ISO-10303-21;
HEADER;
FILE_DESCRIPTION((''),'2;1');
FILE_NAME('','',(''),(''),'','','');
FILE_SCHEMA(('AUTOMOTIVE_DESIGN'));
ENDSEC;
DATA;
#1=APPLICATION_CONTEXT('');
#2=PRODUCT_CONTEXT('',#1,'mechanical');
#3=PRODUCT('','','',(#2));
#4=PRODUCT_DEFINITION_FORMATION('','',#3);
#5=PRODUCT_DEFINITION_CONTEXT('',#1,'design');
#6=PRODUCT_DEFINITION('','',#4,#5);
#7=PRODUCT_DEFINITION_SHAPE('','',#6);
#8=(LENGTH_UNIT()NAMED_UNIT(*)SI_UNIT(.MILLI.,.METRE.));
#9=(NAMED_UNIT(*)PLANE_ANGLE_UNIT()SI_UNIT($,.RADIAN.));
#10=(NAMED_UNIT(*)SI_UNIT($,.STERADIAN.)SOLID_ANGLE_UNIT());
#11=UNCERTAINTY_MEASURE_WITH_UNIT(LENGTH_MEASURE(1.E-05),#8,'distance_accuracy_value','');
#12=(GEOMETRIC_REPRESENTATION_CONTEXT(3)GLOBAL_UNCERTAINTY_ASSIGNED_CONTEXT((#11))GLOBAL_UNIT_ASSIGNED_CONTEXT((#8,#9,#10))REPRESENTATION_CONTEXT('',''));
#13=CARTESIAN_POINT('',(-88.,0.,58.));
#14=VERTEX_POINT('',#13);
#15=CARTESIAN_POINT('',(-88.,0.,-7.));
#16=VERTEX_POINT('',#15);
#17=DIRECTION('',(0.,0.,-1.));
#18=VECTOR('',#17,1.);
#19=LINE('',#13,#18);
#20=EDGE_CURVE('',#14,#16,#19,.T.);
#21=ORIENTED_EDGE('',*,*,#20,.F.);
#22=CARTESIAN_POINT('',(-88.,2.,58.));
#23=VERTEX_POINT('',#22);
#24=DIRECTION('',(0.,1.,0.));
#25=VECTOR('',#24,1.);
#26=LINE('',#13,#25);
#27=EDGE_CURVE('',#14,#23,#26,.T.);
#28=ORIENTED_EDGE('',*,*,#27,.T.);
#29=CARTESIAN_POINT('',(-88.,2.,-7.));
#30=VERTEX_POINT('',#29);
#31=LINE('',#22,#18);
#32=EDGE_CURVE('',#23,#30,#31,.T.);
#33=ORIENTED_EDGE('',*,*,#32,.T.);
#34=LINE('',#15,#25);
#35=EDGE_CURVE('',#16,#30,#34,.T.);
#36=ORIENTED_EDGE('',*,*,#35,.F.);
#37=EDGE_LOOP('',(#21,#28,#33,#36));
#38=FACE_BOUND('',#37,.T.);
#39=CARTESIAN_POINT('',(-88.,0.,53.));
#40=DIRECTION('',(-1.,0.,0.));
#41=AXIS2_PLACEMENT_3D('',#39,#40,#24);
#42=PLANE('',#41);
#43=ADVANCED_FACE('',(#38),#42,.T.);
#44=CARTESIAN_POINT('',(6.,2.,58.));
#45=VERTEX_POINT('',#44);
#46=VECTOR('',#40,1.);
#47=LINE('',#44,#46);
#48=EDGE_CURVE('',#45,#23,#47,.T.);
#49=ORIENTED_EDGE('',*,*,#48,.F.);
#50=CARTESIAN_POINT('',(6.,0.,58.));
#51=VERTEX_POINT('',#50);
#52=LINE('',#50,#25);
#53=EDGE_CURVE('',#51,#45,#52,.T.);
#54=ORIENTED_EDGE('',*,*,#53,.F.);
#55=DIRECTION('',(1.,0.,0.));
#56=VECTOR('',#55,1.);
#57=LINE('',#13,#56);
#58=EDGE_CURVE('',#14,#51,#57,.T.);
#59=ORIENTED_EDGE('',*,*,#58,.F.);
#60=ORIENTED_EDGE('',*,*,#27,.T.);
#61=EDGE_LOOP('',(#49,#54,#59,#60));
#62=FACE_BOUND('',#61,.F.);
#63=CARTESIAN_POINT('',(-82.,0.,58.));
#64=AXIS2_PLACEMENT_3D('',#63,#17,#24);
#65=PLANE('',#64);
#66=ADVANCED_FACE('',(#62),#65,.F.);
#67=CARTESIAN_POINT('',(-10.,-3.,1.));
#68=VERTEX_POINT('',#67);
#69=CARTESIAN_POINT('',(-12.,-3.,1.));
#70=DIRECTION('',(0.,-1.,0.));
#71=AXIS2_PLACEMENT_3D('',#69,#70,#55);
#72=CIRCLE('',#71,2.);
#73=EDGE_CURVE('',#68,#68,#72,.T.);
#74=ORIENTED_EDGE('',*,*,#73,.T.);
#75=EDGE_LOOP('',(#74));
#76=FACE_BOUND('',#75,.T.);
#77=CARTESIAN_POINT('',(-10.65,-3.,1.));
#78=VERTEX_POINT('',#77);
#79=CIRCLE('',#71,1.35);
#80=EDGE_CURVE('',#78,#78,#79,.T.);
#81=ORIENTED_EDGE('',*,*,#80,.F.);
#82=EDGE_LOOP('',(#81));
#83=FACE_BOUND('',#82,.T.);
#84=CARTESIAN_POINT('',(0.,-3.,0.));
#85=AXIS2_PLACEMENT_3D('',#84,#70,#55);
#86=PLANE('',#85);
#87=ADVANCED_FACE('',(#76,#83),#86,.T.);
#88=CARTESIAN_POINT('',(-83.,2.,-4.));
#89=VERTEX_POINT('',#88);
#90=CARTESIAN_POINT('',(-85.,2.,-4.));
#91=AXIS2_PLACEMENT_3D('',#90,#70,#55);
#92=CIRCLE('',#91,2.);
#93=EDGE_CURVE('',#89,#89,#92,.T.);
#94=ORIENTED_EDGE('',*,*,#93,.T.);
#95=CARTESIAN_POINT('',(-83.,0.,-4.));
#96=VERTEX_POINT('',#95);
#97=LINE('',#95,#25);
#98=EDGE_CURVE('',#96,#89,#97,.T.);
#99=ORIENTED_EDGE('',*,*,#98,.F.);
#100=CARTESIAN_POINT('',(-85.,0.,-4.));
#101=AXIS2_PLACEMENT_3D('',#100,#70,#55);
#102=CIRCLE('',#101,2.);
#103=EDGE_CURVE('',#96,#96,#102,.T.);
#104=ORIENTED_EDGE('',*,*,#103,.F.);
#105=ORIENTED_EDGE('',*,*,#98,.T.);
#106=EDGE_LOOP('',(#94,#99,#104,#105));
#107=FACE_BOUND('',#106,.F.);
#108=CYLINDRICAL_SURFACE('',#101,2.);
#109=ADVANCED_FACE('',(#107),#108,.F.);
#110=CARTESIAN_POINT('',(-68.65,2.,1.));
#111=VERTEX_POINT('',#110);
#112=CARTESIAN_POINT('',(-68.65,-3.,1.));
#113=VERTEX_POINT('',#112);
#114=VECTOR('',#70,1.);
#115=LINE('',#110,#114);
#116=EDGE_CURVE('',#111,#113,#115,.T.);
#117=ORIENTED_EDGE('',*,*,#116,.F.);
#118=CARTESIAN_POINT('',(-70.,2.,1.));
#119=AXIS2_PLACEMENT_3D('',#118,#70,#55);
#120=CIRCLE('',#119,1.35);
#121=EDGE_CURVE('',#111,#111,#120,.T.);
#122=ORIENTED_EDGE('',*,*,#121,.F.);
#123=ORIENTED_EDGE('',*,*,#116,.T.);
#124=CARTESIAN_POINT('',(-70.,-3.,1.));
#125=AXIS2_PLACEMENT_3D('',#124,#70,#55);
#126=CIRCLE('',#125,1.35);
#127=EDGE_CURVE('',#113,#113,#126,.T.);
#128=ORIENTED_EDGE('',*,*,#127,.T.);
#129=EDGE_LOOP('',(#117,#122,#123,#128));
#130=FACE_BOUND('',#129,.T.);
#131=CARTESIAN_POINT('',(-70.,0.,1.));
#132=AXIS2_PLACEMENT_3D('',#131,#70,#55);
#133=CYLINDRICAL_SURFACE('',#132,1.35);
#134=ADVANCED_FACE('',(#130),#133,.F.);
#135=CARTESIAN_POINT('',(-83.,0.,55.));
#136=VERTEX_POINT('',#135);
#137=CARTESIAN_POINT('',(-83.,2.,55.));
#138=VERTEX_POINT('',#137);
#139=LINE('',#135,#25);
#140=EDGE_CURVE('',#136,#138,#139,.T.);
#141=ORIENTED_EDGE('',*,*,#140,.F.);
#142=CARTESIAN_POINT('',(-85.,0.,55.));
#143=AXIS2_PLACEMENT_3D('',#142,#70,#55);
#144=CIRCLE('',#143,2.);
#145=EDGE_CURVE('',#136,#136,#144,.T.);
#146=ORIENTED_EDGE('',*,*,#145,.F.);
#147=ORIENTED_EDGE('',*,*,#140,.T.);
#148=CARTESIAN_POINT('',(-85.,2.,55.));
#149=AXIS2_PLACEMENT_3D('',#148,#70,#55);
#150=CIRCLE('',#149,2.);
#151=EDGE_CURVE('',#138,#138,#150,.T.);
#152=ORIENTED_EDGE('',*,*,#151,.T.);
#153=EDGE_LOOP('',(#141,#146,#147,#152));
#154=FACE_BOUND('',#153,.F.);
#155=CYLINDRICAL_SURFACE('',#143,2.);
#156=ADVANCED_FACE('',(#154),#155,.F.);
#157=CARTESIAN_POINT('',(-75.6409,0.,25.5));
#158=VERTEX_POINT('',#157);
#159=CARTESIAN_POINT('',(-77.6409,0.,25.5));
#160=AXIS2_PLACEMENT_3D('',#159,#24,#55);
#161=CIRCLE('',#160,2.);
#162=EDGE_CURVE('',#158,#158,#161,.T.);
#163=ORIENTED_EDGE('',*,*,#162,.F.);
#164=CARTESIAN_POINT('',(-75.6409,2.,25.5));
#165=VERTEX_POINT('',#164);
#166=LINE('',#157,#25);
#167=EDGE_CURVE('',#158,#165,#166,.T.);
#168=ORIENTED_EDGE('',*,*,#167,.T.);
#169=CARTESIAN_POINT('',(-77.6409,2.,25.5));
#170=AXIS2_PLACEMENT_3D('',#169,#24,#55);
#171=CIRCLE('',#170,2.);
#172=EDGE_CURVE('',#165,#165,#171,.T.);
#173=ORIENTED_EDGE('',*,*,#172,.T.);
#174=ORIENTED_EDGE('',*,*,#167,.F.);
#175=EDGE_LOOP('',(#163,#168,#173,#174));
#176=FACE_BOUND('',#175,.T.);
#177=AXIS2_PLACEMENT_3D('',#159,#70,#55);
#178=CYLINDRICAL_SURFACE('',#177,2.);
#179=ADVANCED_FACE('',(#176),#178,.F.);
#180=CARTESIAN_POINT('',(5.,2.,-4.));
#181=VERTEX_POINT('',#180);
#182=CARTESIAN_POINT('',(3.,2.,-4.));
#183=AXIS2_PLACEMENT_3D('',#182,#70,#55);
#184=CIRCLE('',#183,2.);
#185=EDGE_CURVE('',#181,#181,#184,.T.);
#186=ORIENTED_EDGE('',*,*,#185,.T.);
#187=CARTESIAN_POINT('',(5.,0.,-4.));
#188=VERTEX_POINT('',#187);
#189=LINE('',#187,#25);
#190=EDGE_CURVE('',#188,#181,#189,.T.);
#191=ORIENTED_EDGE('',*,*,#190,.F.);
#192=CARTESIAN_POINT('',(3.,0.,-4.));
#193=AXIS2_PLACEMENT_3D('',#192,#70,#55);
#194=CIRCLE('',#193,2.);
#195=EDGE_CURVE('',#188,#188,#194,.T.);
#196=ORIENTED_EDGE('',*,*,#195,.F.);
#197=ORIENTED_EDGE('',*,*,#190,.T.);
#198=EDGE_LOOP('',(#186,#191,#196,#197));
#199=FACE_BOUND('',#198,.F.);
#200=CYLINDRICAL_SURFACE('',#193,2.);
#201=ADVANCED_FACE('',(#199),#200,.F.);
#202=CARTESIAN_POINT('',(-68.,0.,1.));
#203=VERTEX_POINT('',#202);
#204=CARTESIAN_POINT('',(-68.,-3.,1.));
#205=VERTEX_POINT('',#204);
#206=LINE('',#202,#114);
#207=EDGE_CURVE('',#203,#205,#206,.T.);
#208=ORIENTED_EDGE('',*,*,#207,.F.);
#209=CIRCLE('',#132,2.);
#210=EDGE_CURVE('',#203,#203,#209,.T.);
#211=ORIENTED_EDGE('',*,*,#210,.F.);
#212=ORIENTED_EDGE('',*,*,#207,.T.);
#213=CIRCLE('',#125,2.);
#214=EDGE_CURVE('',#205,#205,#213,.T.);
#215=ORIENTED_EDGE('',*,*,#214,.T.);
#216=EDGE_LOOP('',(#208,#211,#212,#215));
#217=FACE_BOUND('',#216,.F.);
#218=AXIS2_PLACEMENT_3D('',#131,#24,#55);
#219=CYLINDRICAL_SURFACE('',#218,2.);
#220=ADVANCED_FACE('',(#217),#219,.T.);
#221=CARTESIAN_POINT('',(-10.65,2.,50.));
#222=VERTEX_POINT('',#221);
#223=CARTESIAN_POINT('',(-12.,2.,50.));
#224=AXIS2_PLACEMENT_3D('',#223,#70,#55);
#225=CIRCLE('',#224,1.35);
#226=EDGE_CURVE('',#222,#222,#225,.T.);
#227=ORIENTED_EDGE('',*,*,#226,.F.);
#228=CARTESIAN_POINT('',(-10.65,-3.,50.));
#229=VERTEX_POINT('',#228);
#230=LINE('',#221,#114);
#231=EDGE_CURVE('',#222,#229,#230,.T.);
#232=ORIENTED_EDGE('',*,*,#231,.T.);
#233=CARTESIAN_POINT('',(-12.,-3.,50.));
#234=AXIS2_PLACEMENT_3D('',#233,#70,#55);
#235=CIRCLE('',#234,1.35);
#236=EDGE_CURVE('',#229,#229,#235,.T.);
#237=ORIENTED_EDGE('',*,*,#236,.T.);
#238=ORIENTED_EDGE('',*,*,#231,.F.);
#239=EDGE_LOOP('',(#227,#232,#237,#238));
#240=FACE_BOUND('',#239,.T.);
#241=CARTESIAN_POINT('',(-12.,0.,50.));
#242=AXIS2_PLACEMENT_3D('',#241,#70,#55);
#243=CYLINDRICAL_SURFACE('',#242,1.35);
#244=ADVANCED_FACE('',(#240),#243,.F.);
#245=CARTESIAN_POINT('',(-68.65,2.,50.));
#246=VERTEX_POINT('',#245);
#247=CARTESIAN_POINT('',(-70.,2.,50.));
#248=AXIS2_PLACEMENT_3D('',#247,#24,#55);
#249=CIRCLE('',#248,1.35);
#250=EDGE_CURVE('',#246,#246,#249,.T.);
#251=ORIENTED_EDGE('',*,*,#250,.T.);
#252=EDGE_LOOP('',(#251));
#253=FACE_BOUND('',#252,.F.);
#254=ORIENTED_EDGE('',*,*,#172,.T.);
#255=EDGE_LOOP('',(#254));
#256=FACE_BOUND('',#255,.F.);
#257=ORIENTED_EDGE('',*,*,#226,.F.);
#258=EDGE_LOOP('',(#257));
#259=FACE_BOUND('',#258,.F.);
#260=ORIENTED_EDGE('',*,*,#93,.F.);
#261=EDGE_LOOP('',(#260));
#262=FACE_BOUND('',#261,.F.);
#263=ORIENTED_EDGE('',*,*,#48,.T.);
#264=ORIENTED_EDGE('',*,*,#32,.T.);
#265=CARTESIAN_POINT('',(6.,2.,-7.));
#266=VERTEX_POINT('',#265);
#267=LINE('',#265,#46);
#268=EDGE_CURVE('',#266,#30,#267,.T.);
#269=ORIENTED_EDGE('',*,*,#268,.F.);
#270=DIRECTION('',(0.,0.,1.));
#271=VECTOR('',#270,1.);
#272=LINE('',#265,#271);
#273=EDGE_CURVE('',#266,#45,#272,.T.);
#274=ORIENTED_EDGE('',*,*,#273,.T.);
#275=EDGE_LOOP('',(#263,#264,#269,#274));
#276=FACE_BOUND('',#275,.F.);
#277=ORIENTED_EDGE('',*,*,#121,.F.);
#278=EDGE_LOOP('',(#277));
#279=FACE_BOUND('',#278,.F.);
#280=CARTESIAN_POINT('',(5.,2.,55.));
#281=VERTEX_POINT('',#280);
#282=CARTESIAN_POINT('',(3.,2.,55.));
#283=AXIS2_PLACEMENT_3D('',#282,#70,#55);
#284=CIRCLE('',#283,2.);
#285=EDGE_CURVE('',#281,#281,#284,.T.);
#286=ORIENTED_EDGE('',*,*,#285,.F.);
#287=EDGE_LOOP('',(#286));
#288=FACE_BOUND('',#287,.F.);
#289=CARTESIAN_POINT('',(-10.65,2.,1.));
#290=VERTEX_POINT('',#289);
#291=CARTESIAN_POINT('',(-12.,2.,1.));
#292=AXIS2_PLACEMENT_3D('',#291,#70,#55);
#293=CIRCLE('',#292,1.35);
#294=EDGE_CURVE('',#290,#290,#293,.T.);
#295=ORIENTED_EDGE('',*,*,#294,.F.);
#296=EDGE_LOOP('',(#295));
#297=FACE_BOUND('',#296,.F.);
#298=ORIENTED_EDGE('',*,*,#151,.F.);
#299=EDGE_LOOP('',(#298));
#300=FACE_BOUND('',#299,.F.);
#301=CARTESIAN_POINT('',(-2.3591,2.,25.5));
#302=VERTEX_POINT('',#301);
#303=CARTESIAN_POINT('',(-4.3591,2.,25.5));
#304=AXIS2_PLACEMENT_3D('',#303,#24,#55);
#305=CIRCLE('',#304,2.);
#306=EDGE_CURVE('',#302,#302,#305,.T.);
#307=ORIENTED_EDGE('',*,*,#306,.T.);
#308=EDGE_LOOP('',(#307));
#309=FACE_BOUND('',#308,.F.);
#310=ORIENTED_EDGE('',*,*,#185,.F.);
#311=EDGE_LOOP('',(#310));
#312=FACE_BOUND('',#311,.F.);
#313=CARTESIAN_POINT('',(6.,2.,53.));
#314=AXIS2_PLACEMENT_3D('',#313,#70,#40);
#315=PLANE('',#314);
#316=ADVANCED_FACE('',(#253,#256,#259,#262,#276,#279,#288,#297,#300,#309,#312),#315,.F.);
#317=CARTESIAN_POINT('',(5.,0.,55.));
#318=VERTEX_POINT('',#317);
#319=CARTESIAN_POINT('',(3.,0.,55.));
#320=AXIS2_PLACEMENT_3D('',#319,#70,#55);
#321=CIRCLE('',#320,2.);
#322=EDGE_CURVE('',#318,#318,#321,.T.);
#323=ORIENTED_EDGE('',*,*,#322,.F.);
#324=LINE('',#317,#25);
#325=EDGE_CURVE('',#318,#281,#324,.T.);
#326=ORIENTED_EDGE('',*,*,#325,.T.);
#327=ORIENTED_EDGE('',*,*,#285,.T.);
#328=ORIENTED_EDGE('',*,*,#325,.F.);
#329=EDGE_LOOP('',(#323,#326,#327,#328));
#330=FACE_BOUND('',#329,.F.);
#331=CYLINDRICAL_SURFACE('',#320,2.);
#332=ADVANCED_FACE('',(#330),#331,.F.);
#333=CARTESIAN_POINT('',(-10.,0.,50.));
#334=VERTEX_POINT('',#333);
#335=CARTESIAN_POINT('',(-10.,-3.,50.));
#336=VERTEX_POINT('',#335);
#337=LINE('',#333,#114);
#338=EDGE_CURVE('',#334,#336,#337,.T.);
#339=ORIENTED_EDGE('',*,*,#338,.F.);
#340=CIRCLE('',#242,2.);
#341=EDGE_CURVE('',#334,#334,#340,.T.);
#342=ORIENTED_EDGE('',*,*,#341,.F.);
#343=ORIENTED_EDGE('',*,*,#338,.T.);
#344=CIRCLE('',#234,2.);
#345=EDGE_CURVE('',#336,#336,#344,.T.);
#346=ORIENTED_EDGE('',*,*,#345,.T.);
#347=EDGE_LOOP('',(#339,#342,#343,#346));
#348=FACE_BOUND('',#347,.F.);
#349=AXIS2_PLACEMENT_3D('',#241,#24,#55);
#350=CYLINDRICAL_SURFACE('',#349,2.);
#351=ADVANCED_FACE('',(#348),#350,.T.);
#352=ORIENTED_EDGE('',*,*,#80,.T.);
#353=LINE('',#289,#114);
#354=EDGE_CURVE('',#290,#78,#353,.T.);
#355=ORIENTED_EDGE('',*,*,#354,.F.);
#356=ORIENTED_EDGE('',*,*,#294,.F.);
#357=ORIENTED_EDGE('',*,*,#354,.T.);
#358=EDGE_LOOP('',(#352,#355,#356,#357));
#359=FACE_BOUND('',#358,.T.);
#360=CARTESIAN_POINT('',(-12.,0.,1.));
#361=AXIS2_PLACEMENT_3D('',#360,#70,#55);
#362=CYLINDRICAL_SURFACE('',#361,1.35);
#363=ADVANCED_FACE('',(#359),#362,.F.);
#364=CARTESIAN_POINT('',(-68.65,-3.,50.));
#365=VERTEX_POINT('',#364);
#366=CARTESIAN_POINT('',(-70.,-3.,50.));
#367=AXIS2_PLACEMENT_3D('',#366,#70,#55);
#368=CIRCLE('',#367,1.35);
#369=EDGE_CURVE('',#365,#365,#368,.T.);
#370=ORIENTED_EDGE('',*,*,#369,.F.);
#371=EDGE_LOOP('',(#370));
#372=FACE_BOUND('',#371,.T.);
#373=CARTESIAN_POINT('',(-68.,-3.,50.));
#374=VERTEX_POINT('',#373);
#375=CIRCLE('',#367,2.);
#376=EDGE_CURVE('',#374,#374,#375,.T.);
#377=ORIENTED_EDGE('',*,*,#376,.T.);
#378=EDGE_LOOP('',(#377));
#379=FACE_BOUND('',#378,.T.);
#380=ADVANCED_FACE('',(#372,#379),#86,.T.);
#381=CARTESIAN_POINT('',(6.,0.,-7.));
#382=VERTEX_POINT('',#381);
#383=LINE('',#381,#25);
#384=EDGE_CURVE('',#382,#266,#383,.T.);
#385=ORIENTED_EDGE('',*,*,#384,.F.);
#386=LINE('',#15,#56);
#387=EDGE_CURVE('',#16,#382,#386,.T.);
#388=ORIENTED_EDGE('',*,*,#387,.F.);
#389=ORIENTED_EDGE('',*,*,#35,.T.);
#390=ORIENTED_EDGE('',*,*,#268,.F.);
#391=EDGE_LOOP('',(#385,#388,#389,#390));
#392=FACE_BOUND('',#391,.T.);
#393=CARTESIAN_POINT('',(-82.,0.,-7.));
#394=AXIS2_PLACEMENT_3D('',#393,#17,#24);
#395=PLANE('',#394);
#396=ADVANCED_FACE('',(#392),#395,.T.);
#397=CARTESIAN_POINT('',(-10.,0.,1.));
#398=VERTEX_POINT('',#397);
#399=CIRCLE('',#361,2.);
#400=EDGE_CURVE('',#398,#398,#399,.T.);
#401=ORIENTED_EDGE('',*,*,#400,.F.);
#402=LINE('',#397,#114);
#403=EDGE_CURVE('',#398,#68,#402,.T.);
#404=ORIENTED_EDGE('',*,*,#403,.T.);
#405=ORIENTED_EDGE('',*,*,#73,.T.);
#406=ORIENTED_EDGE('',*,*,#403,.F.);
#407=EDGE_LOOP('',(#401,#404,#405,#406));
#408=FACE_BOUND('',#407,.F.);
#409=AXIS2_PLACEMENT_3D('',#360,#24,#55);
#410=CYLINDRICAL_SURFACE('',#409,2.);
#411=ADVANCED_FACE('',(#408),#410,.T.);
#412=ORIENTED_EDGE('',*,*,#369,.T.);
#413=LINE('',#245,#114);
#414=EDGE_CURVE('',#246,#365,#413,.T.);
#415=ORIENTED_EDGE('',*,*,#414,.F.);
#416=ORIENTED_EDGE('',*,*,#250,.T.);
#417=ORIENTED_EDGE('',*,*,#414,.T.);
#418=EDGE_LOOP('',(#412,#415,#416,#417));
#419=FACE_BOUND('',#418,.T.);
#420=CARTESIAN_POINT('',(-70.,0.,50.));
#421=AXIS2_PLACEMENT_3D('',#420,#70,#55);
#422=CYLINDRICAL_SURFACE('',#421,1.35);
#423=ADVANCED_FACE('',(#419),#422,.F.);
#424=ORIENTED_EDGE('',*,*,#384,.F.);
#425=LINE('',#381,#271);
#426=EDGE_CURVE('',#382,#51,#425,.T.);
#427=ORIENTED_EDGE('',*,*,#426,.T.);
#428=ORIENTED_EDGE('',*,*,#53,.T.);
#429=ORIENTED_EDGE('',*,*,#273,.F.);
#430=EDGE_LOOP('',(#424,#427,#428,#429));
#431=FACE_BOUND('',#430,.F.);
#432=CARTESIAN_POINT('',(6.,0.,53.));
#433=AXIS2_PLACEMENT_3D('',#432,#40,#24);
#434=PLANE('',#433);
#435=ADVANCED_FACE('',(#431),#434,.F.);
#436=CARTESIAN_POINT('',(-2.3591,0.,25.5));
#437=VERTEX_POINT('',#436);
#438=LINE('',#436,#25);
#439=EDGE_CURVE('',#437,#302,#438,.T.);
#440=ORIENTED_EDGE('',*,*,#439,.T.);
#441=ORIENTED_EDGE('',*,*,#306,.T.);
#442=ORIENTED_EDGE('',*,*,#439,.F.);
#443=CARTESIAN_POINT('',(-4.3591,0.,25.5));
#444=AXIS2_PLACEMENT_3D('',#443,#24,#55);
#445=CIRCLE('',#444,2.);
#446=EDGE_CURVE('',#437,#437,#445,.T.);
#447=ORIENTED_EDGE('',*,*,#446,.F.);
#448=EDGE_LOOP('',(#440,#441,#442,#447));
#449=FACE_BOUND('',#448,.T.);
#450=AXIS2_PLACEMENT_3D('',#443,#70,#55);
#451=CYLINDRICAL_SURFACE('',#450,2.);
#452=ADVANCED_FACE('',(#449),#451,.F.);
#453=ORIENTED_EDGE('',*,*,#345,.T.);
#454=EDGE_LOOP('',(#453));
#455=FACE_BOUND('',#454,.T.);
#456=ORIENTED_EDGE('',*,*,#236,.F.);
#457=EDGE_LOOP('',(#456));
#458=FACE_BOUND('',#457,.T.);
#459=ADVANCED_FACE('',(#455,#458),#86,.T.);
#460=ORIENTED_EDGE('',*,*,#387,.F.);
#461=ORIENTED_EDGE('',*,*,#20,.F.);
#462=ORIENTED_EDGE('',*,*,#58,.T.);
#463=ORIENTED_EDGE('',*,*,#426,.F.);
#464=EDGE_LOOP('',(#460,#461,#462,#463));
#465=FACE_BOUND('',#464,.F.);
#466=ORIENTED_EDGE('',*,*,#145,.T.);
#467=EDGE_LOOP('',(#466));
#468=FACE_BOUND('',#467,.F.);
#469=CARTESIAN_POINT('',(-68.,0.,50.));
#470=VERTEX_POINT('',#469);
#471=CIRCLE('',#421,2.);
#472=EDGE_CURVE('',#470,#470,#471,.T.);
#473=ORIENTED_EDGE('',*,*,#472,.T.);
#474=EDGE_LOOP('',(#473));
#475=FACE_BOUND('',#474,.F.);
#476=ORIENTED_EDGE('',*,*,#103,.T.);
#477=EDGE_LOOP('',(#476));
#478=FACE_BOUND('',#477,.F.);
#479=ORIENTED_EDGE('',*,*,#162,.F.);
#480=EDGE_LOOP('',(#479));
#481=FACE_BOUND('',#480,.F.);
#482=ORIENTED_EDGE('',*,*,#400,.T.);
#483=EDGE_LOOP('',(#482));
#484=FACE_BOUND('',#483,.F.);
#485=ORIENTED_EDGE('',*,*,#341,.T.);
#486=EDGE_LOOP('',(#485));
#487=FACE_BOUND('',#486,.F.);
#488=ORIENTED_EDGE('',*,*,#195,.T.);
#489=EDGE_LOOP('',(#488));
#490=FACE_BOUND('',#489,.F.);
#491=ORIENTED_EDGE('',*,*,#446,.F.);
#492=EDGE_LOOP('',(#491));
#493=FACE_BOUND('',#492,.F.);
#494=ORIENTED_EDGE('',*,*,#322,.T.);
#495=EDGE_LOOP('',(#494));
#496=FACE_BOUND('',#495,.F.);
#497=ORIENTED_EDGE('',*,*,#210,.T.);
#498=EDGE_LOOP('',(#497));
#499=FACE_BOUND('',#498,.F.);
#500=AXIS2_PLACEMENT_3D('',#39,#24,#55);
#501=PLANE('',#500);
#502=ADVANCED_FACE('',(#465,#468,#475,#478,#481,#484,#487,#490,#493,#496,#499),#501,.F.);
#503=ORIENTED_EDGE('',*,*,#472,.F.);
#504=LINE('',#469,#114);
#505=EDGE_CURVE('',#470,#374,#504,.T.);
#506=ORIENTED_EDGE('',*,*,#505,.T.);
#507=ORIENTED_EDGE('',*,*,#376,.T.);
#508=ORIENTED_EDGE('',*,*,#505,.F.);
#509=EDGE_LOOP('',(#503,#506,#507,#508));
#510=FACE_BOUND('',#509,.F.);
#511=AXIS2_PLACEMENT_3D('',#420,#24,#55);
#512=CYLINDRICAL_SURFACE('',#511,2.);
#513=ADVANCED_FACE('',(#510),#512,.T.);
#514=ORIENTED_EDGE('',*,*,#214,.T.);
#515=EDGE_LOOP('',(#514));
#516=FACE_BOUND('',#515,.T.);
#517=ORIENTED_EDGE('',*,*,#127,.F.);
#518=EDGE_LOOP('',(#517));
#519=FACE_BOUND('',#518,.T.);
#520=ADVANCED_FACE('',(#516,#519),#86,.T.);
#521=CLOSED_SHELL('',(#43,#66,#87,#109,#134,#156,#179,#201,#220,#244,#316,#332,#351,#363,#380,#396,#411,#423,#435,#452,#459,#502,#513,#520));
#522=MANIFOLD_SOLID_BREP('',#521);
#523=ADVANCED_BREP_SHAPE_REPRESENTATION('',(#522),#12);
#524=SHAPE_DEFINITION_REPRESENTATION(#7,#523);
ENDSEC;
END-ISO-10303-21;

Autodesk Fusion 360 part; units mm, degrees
sketch "Sketch1" plane through (0, 0, 0) normal (0, 1, 0) x (1, 0, 0)
  line L0 (-70, -50) -> (-12, -50)
  line L1 (-12, -50) -> (-12, -1)
  line L2 (-12, -1) -> (-70, -1)
  line L3 (-70, -1) -> (-70, -50)
  circle A0 centre (-70, -50) radius 1.35
  circle A1 centre (-12, -50) radius 1.35
  circle A2 centre (-70, -1) radius 1.35
  circle A3 centre (-12, -1) radius 1.35
  line L4 (-41, -50) -> (-41, -25.5)
  line L5 (0, -53) -> (-82, -53)
  line L6 (-82, -53) -> (-82, 2)
  line L7 (-82, 2) -> (0, 2)
  line L8 (0, 2) -> (0, -53)
  line L9 (0, -53) -> (-82, 2) construction
  line L10 (-82, -53) -> (0, 2) construction
  circle A4 centre (-77.6409, -25.5) radius 2
  circle A5 centre (-4.3591, -25.5) radius 2
  point P0 (-41, -25.5)
  dimension "d1" = 58
  dimension "d2" = 49
  dimension "d3" = 2.7
  dimension "d4" = 2.7
  dimension "d5" = 2.7
  dimension "d6" = 2.7
  dimension "d7" = 4
extrude "Extrude1" add sketch "Sketch1" along normal blind 2 contours L0 L1 L2 L3 A0 A1 A2 A3 | L5 L6 L7 L8
sketch "Sketch2" plane through (0, 0, 0) normal (0, -1, 0) x (1, 0, 0)
  circle A0 centre (-4.3591, 25.5) radius 2
  circle A1 centre (-70, 50) radius 1.35
  circle A2 centre (-77.6409, 25.5) radius 2
  circle A3 centre (-12, 50) radius 1.35
  circle A4 centre (-70, 1) radius 1.35
  circle A5 centre (-12, 1) radius 1.35
  line L0 (-82, -2) -> (0, -2)
  line L1 (0, -2) -> (0, 53)
  line L2 (0, 53) -> (-82, 53)
  line L3 (-82, 53) -> (-82, -2)
  circle A6 centre (-12, 50) radius 3
  circle A7 centre (-12, 50) radius 1.35
  circle A8 centre (-12, 1) radius 1.35
  circle A9 centre (-12, 1) radius 2
  circle A10 centre (-70, 1) radius 1.35
  circle A11 centre (-70, 1) radius 2
  circle A12 centre (-70, 50) radius 1.35
  circle A13 centre (-70, 50) radius 2
  circle A14 centre (-12, 50) radius 2
  dimension "d10" = 4
  dimension "d11" = 4
  dimension "d12" = 4
extrude "Extrude2" add sketch "Sketch2" along normal blind 3 contours A9 | A11 | A13 | A14
extrude "Extrude3" add 1 faces at (0, 0.6667, 16.3333) along direction (1, 0, 0) blind 6
extrude "Extrude4" add 1 faces at (-82, 0.6667, 34.6667) along direction (-1, 0, 0) blind 6
extrude "Extrude5" add 1 faces at (-25.3333, 0.6667, -2) along direction (0, 0, -1) blind 5
extrude "Extrude6" add 1 faces at (-25.3333, 0.6667, 53) along direction (0, 0, 1) blind 5
sketch "Sketch3" plane through (0, 0, 0) normal (0, -1, 0) x (1, 0, 0)
  circle A0 centre (-12, 1) radius 2
  circle A1 centre (-12, 50) radius 2
  circle A2 centre (-70, 1) radius 2
  circle A3 centre (-70, 50) radius 2
  circle A4 centre (-4.3591, 25.5) radius 2
  circle A5 centre (-77.6409, 25.5) radius 2
  line L0 (6, -7) -> (6, 58)
  line L1 (6, 58) -> (-88, 58)
  line L2 (-88, 58) -> (-88, -7)
  line L3 (-88, -7) -> (6, -7)
  circle A6 centre (-85, 55) radius 2
  line L4 (-41, 58) -> (-41, 35)
  line L5 (-88, 25.5) -> (-67.9088, 25.5)
  circle A7 centre (3, 55) radius 2
  circle A8 centre (-85, -4) radius 2
  circle A9 centre (3, -4) radius 2
extrude "Extrude7" cut sketch "Sketch3" against normal blind 15 contours A6 | A7 | A8 | A9
